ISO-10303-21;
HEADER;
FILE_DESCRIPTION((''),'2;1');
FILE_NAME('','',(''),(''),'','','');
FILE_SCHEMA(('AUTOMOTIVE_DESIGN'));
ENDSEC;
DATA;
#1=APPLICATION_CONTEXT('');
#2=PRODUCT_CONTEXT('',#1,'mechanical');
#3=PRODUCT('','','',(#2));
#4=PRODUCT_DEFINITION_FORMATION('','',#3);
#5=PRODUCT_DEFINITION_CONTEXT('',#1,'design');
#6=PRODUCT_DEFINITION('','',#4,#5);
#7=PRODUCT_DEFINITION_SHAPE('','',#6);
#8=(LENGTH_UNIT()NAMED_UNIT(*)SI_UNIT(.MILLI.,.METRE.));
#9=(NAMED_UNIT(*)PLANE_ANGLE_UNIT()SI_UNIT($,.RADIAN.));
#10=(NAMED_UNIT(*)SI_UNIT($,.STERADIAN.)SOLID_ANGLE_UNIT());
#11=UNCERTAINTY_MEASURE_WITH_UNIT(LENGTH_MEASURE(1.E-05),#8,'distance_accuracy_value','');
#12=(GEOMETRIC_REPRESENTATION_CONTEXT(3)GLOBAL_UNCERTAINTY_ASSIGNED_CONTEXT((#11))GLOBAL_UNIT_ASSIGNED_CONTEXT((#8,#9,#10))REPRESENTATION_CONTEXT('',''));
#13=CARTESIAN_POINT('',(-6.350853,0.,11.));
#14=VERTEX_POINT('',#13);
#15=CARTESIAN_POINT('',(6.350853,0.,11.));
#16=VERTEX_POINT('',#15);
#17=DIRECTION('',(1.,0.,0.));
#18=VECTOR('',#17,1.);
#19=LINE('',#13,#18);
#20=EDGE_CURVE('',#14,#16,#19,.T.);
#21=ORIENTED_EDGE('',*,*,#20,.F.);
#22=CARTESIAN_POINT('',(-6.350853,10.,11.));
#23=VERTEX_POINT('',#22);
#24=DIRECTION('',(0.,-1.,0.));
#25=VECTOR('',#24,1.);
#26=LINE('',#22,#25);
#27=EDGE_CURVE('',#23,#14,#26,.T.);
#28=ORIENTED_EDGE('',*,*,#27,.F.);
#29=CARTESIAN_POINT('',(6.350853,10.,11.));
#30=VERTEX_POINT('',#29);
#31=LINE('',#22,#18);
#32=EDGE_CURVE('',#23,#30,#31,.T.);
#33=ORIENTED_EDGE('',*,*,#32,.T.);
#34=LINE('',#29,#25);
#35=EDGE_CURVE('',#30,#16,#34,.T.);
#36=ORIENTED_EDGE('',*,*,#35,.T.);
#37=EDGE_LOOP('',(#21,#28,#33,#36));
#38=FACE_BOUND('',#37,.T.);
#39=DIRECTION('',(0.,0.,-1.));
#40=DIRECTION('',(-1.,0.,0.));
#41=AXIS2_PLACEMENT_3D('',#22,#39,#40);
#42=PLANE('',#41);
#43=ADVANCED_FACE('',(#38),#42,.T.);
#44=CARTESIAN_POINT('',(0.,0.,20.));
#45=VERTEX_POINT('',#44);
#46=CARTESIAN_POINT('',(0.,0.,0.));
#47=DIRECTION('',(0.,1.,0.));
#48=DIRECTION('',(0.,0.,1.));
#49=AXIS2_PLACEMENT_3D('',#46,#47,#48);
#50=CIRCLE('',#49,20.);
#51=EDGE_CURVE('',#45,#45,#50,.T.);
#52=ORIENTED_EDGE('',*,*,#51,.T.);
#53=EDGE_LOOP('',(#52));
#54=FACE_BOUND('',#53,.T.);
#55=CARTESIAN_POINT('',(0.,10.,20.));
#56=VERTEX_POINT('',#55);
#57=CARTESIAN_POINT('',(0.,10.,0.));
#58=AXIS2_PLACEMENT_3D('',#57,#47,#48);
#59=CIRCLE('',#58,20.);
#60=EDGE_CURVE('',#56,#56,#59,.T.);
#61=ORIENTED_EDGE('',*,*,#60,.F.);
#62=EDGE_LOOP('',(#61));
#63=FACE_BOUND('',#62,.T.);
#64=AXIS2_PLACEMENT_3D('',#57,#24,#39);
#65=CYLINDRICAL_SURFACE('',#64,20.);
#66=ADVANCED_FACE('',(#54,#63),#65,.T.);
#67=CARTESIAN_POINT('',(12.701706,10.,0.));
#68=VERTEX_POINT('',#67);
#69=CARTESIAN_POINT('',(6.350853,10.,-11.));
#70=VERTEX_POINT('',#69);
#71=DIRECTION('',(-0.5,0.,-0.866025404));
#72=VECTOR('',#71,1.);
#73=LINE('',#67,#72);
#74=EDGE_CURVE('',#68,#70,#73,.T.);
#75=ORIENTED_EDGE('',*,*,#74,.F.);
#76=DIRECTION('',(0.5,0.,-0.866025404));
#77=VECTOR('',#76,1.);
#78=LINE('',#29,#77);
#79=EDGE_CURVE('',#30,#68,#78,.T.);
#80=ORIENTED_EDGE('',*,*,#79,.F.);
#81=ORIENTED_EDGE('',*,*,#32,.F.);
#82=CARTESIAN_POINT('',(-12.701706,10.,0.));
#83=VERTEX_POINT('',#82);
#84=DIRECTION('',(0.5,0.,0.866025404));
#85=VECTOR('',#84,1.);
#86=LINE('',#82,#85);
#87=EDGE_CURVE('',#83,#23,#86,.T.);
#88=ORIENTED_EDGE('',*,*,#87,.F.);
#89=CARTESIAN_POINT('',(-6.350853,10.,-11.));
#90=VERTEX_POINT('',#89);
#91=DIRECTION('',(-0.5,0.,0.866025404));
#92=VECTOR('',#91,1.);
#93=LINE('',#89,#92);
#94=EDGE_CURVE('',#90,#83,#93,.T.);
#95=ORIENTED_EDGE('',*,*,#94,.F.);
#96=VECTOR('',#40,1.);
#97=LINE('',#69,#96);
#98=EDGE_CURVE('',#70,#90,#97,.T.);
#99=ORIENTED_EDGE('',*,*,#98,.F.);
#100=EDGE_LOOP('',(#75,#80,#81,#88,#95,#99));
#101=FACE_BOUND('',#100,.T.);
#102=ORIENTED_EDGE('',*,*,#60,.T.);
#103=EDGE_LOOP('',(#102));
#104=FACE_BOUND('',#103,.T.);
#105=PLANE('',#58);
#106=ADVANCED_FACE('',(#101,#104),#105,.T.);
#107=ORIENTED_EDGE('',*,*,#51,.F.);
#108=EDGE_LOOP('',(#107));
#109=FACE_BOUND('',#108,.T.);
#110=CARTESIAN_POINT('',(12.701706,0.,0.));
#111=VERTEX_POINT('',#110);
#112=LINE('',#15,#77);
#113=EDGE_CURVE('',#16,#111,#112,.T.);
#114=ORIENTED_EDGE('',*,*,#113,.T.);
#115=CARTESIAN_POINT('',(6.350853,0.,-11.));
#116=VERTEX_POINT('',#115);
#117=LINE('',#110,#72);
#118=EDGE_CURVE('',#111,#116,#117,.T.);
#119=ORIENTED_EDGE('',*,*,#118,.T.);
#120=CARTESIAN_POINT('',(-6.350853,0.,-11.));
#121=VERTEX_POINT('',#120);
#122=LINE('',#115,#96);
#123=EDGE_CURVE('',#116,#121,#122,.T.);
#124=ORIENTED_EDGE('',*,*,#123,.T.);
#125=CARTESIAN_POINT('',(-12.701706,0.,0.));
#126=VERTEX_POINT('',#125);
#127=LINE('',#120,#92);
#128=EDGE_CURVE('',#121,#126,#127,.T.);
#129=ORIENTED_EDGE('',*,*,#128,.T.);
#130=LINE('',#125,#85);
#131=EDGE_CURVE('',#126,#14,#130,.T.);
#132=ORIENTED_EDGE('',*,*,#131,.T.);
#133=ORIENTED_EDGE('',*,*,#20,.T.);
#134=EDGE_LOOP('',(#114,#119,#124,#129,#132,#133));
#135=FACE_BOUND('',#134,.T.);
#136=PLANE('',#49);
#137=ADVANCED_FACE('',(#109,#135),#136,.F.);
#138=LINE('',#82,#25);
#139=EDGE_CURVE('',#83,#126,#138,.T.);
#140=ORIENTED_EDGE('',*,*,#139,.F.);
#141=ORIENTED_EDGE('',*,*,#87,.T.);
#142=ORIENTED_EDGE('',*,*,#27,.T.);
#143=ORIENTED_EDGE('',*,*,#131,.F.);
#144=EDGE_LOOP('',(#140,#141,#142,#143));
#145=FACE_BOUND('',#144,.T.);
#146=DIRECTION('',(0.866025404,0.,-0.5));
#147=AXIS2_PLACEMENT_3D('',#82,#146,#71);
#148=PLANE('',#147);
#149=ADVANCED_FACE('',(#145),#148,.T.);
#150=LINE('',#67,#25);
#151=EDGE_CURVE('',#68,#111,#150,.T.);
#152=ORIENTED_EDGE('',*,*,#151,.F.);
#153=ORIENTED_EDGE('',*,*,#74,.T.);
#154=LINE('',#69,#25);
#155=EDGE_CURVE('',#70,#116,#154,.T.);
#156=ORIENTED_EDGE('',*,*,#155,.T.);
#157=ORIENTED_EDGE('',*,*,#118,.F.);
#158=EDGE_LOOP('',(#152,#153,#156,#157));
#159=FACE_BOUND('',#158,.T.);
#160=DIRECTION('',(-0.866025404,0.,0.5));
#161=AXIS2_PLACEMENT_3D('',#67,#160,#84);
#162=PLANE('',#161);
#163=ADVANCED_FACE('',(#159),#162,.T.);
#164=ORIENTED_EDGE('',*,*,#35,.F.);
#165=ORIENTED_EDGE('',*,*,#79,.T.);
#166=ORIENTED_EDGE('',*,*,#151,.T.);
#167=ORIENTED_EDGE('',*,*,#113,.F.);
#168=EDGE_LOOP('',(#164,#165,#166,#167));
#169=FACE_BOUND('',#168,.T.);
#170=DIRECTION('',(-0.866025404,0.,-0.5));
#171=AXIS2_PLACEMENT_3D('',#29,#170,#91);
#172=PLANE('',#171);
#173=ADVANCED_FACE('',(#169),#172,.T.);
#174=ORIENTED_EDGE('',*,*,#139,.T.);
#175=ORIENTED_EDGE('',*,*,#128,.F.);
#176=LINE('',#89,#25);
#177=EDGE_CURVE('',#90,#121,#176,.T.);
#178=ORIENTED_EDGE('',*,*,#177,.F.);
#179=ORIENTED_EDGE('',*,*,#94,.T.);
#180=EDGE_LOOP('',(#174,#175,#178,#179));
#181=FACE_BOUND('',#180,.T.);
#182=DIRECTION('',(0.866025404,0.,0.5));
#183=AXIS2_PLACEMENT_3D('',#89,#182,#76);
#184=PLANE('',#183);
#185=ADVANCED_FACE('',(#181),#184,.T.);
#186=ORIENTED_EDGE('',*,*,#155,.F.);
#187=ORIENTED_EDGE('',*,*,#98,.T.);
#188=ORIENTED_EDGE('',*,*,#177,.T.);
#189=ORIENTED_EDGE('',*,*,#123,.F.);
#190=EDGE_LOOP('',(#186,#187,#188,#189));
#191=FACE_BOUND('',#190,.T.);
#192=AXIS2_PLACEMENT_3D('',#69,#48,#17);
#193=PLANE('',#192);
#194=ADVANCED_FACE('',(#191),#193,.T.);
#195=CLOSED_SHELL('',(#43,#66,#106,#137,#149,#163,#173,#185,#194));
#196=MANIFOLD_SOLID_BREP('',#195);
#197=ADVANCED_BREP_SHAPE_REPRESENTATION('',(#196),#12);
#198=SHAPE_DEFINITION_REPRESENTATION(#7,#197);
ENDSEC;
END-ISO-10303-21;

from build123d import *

# Parameters (mm, degrees)
SKETCH1_R           = 20
BOSS_EXTRUDE1_DEPTH = 10


with BuildPart() as part:
    # Sketch1 → Boss-Extrude1 (new body)
    with BuildSketch(Plane(origin=(0, 0, 0), x_dir=(1, 0, 0), z_dir=(0, 1, 0))):
        with Locations(Location((0, 0, 0), (0, 0, 270))):
            Circle(SKETCH1_R)
        Polygon((12.701705922, 0), (6.350852961, 11), (-6.350852961, 11), (-12.701705922, 0), (-6.350852961, -11), (6.350852961, -11), align=None, mode=Mode.SUBTRACT)
    extrude(amount=BOSS_EXTRUDE1_DEPTH)


solid = part.part
